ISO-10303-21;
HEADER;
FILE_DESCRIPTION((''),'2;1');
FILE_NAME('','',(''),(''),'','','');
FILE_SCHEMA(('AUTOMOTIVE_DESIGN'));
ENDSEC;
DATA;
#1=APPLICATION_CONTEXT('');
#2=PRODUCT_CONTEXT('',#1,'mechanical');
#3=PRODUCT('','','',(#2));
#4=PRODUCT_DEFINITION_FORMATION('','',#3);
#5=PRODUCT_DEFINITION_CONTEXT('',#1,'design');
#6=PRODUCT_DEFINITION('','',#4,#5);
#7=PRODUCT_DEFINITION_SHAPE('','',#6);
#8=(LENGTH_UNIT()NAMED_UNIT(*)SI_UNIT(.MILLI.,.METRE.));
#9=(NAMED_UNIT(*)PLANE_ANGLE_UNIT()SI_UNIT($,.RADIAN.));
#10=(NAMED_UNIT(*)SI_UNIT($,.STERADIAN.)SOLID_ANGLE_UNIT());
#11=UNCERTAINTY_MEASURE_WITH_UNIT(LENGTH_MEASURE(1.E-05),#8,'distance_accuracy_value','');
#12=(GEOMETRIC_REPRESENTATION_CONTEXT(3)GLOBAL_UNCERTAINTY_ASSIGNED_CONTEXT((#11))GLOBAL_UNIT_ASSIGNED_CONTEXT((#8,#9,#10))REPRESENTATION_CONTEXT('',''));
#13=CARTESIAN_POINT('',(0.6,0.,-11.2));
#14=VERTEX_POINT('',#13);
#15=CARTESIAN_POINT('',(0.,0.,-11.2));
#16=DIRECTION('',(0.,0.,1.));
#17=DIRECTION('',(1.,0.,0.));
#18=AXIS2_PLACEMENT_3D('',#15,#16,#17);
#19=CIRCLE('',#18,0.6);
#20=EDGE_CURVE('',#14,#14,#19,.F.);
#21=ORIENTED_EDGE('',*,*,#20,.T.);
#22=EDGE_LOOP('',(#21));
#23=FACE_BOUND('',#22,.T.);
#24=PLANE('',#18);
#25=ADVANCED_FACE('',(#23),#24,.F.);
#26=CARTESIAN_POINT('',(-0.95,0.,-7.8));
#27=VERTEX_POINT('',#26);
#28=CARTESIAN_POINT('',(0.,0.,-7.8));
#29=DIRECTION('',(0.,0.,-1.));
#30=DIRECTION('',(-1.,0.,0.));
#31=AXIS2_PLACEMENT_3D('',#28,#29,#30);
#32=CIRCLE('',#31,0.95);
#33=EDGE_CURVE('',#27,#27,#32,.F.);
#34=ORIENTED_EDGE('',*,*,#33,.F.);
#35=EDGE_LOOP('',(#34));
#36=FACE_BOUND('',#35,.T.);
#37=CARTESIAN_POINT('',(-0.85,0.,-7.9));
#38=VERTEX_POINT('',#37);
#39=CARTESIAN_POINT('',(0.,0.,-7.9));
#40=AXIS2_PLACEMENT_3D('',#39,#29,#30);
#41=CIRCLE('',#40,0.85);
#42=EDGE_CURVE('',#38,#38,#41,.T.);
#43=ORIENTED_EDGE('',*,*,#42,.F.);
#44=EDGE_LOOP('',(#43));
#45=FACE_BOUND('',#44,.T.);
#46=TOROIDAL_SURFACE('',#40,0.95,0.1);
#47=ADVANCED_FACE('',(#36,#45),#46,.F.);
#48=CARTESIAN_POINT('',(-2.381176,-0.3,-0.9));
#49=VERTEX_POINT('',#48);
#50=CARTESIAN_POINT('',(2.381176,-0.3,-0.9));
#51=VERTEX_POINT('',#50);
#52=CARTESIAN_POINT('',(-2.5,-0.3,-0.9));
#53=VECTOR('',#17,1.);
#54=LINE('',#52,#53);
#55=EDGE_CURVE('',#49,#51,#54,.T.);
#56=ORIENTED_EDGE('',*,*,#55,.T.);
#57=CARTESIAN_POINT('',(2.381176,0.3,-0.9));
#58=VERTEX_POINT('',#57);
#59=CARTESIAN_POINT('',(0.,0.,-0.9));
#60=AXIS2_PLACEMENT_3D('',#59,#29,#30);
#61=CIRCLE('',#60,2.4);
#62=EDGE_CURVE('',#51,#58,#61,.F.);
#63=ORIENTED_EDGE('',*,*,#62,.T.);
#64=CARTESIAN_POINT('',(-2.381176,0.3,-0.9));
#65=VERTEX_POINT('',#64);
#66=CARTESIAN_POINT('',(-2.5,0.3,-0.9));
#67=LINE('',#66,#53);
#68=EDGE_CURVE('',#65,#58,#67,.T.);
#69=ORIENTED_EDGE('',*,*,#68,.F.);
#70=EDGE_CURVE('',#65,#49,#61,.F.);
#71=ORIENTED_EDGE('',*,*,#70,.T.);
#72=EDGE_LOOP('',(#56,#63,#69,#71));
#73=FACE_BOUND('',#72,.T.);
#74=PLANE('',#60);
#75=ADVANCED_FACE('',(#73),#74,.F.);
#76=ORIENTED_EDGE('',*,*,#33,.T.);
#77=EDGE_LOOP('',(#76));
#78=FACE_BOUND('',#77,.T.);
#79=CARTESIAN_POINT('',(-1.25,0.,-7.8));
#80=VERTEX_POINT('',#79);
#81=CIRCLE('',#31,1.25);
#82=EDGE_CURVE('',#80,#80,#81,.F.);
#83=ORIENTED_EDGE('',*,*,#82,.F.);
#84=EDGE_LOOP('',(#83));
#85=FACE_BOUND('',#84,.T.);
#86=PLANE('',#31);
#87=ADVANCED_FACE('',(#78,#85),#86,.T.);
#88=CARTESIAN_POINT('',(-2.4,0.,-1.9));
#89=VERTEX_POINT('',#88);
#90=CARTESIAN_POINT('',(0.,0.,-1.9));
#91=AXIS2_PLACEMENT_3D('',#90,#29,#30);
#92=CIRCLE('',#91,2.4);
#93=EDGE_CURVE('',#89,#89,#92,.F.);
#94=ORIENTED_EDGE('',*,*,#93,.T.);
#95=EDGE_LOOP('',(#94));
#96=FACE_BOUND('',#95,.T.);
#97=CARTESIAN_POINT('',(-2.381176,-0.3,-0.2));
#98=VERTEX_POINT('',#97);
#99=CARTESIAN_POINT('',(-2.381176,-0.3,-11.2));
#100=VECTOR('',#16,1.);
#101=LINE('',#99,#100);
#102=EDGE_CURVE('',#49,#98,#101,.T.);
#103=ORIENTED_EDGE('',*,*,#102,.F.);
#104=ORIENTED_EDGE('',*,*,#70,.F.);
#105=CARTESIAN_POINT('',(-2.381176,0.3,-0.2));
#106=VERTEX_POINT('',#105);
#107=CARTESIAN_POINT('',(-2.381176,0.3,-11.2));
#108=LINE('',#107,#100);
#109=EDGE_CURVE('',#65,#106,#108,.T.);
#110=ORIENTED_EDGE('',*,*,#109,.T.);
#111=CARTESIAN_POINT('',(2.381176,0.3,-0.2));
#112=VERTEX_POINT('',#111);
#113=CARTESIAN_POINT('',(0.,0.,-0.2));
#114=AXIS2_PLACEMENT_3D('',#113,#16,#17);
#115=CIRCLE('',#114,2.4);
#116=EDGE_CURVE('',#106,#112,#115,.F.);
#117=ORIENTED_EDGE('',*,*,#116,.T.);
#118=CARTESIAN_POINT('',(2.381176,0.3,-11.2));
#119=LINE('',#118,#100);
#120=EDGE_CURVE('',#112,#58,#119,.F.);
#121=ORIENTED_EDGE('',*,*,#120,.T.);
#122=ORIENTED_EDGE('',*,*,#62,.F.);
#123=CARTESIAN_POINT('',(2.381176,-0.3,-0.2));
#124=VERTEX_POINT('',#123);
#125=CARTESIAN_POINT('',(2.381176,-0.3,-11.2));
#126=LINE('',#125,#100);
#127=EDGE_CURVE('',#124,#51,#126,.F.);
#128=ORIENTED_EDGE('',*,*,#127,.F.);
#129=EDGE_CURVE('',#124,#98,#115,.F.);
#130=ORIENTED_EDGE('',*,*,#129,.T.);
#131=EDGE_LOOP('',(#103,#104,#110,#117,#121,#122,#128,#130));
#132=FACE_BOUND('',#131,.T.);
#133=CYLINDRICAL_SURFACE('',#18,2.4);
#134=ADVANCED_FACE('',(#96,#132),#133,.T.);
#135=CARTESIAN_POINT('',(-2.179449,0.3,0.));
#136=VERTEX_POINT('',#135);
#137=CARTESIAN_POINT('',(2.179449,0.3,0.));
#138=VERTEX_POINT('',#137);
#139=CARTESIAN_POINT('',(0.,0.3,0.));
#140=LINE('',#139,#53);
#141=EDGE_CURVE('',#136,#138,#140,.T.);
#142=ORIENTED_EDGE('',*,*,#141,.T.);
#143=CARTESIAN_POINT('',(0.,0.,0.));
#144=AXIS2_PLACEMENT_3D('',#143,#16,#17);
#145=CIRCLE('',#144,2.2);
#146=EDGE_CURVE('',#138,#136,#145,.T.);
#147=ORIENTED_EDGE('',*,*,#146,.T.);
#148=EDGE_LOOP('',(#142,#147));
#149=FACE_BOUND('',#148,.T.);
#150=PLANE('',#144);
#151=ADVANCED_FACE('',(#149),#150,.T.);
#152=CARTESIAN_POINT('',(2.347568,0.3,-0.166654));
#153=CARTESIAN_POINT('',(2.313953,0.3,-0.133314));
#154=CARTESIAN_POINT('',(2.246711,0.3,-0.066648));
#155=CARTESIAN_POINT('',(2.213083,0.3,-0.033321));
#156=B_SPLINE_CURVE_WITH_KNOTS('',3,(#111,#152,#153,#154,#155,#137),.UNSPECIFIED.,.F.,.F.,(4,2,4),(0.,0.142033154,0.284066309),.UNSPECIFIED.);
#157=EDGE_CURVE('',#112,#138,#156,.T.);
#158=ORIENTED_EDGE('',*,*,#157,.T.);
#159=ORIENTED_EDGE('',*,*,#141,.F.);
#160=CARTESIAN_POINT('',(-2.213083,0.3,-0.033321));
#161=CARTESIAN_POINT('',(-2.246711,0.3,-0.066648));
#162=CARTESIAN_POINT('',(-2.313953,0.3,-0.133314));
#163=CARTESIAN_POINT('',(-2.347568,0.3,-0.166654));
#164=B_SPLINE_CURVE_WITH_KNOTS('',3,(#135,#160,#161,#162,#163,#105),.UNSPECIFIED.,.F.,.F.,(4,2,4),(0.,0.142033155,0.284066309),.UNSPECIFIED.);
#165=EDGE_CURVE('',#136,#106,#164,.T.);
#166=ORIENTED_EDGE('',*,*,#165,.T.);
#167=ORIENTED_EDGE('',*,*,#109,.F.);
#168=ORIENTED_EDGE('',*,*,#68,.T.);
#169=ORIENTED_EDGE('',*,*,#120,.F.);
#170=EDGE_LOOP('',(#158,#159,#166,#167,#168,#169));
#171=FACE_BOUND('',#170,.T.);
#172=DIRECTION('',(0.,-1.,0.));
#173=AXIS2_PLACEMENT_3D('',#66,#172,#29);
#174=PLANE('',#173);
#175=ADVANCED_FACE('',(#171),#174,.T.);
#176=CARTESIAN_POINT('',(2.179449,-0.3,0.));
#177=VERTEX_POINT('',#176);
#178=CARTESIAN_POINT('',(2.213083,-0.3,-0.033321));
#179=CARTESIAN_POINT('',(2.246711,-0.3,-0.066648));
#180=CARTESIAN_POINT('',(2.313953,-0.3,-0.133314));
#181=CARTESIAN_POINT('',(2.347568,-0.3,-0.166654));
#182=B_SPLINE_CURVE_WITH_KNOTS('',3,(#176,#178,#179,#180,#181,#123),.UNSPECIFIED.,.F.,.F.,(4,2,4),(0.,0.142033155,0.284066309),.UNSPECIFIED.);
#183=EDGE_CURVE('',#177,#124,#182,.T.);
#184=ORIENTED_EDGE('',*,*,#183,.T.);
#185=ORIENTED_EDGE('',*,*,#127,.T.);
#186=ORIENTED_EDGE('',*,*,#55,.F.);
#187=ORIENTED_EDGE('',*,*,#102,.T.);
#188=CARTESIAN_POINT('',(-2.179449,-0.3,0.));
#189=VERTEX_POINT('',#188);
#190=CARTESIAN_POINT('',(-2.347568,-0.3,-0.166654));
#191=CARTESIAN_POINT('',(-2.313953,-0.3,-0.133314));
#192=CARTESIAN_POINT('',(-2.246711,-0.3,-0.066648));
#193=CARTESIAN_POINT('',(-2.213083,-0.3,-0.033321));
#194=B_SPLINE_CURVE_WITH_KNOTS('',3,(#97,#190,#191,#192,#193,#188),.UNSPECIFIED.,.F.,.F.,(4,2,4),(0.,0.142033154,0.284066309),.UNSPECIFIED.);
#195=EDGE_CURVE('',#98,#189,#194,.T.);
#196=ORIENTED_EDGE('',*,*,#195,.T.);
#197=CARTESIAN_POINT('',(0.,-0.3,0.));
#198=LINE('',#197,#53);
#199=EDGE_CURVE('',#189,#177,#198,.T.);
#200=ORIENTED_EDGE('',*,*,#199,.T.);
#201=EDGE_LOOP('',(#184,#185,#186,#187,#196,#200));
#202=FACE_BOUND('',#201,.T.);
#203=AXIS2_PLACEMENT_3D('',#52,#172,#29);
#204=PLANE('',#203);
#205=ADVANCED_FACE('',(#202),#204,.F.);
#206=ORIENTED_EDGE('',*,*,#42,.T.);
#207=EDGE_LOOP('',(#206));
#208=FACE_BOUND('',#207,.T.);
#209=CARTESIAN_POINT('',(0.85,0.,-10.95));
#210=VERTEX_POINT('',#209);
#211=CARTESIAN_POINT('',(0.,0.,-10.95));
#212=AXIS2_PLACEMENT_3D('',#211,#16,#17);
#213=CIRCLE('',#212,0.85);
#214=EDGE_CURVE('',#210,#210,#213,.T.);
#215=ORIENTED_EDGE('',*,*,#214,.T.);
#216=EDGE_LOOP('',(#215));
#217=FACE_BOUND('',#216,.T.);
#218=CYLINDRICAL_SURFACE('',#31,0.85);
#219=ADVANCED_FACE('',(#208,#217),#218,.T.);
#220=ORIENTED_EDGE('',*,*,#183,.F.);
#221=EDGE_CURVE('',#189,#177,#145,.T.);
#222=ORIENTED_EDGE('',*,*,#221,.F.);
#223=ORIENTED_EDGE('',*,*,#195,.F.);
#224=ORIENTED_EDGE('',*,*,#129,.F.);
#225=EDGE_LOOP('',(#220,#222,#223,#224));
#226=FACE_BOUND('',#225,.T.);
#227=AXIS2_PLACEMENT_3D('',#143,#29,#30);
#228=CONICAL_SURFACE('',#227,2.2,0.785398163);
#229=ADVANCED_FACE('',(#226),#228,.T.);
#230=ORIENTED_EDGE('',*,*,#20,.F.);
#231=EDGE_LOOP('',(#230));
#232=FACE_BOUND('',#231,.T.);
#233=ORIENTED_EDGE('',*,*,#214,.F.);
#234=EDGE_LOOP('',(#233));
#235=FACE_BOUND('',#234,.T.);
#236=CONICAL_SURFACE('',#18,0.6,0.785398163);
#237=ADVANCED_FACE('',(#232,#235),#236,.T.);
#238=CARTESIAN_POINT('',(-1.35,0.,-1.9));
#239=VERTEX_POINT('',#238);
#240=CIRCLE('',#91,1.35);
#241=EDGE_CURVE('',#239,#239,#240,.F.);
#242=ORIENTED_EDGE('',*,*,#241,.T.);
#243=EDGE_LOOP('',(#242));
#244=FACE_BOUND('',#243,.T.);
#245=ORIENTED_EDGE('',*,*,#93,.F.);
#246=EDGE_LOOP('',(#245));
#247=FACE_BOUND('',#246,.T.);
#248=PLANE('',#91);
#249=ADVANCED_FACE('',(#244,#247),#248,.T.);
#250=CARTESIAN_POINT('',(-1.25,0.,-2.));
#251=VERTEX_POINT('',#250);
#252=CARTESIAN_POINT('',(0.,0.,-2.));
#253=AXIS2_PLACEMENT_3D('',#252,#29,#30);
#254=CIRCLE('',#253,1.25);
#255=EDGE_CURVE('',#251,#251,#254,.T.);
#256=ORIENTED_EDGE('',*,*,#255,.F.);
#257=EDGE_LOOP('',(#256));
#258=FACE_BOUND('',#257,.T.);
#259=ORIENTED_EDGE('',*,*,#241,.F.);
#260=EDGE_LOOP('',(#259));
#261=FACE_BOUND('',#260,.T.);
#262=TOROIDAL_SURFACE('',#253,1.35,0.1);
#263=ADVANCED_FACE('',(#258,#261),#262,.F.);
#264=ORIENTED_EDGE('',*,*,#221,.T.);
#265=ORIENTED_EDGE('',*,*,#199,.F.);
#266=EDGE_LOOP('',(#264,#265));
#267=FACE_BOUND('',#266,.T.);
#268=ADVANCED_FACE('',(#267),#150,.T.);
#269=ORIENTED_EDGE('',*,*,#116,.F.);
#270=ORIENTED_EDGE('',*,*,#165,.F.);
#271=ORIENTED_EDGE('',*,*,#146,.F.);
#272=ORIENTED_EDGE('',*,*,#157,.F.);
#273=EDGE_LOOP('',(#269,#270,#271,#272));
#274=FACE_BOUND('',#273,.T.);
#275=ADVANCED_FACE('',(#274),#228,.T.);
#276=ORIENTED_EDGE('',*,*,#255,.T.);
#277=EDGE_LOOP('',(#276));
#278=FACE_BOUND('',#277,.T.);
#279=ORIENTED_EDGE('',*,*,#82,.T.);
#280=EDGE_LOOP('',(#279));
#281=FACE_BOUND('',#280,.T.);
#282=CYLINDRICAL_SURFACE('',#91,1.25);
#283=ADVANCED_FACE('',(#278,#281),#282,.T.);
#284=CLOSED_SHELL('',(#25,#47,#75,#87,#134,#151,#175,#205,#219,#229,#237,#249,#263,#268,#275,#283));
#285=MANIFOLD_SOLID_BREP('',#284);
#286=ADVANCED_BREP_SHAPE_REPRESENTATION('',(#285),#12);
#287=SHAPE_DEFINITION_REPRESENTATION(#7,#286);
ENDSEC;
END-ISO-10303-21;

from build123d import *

# Parameters (mm, degrees)
SKETCH2_R           = 2.4
BOSS_EXTRUDE1_DEPTH = 11.2
SKETCH4_OUTSIDE_W   = 9.42
SKETCH4_OUTSIDE_H   = 9.42
SKETCH4_OUTSIDE_R   = 1.25
CUT_EXTRUDE1_DEPTH  = 9.3
SKETCH5_OUTSIDE_W   = 9.42
SKETCH5_OUTSIDE_H   = 9.42
SKETCH5_OUTSIDE_R   = 0.85
CUT_EXTRUDE2_DEPTH  = 3.4
SKETCH6_W           = 5
SKETCH6_H           = 0.6
CUT_EXTRUDE3_DEPTH  = 0.9
FILLET1_R           = 0.1
CHAMFER2_SIZE       = 0.2
CHAMFER1_SIZE       = 0.25


with BuildPart() as part:
    # Sketch2 → Boss-Extrude1 (new body)
    with BuildSketch(Plane.XY):
        Circle(SKETCH2_R)
    extrude(amount=-BOSS_EXTRUDE1_DEPTH)

    # Sketch4 outside → Cut-Extrude1 (cut)
    with BuildSketch(Plane(origin=(0, 0, -11.2), x_dir=(-1, 0, 0), z_dir=(0, 0, -1))):
        Rectangle(SKETCH4_OUTSIDE_W, SKETCH4_OUTSIDE_H)
        Circle(SKETCH4_OUTSIDE_R, mode=Mode.SUBTRACT)
    extrude(amount=-CUT_EXTRUDE1_DEPTH, mode=Mode.SUBTRACT)

    # Sketch5 outside → Cut-Extrude2 (cut)
    with BuildSketch(Plane(origin=(0, 0, -11.2), x_dir=(-1, 0, 0), z_dir=(0, 0, -1))):
        Rectangle(SKETCH5_OUTSIDE_W, SKETCH5_OUTSIDE_H)
        Circle(SKETCH5_OUTSIDE_R, mode=Mode.SUBTRACT)
    extrude(amount=-CUT_EXTRUDE2_DEPTH, mode=Mode.SUBTRACT)

    # Sketch6 → Cut-Extrude3 (cut)
    with BuildSketch(Plane.XY):
        Rectangle(SKETCH6_W, SKETCH6_H)
    extrude(amount=-CUT_EXTRUDE3_DEPTH, mode=Mode.SUBTRACT)

    # Fillet1
    fillet1_edges = [part.edges().sort_by_distance(p)[0] for p in [
        (1.25, 0, -1.9),
        (0.85, 0, -7.8),
    ]]
    fillet(fillet1_edges, radius=FILLET1_R)

    # Chamfer2
    chamfer2_edges = [part.edges().sort_by_distance(p)[0] for p in [
        (0, 2.4, 0),
        (0, -2.4, 0),
    ]]
    chamfer(chamfer2_edges, length=CHAMFER2_SIZE)

    # Chamfer1
    chamfer1_edges = [part.edges().sort_by_distance(p)[0] for p in [
        (0.85, 0, -11.2),
    ]]
    chamfer(chamfer1_edges, length=CHAMFER1_SIZE)


solid = part.part
